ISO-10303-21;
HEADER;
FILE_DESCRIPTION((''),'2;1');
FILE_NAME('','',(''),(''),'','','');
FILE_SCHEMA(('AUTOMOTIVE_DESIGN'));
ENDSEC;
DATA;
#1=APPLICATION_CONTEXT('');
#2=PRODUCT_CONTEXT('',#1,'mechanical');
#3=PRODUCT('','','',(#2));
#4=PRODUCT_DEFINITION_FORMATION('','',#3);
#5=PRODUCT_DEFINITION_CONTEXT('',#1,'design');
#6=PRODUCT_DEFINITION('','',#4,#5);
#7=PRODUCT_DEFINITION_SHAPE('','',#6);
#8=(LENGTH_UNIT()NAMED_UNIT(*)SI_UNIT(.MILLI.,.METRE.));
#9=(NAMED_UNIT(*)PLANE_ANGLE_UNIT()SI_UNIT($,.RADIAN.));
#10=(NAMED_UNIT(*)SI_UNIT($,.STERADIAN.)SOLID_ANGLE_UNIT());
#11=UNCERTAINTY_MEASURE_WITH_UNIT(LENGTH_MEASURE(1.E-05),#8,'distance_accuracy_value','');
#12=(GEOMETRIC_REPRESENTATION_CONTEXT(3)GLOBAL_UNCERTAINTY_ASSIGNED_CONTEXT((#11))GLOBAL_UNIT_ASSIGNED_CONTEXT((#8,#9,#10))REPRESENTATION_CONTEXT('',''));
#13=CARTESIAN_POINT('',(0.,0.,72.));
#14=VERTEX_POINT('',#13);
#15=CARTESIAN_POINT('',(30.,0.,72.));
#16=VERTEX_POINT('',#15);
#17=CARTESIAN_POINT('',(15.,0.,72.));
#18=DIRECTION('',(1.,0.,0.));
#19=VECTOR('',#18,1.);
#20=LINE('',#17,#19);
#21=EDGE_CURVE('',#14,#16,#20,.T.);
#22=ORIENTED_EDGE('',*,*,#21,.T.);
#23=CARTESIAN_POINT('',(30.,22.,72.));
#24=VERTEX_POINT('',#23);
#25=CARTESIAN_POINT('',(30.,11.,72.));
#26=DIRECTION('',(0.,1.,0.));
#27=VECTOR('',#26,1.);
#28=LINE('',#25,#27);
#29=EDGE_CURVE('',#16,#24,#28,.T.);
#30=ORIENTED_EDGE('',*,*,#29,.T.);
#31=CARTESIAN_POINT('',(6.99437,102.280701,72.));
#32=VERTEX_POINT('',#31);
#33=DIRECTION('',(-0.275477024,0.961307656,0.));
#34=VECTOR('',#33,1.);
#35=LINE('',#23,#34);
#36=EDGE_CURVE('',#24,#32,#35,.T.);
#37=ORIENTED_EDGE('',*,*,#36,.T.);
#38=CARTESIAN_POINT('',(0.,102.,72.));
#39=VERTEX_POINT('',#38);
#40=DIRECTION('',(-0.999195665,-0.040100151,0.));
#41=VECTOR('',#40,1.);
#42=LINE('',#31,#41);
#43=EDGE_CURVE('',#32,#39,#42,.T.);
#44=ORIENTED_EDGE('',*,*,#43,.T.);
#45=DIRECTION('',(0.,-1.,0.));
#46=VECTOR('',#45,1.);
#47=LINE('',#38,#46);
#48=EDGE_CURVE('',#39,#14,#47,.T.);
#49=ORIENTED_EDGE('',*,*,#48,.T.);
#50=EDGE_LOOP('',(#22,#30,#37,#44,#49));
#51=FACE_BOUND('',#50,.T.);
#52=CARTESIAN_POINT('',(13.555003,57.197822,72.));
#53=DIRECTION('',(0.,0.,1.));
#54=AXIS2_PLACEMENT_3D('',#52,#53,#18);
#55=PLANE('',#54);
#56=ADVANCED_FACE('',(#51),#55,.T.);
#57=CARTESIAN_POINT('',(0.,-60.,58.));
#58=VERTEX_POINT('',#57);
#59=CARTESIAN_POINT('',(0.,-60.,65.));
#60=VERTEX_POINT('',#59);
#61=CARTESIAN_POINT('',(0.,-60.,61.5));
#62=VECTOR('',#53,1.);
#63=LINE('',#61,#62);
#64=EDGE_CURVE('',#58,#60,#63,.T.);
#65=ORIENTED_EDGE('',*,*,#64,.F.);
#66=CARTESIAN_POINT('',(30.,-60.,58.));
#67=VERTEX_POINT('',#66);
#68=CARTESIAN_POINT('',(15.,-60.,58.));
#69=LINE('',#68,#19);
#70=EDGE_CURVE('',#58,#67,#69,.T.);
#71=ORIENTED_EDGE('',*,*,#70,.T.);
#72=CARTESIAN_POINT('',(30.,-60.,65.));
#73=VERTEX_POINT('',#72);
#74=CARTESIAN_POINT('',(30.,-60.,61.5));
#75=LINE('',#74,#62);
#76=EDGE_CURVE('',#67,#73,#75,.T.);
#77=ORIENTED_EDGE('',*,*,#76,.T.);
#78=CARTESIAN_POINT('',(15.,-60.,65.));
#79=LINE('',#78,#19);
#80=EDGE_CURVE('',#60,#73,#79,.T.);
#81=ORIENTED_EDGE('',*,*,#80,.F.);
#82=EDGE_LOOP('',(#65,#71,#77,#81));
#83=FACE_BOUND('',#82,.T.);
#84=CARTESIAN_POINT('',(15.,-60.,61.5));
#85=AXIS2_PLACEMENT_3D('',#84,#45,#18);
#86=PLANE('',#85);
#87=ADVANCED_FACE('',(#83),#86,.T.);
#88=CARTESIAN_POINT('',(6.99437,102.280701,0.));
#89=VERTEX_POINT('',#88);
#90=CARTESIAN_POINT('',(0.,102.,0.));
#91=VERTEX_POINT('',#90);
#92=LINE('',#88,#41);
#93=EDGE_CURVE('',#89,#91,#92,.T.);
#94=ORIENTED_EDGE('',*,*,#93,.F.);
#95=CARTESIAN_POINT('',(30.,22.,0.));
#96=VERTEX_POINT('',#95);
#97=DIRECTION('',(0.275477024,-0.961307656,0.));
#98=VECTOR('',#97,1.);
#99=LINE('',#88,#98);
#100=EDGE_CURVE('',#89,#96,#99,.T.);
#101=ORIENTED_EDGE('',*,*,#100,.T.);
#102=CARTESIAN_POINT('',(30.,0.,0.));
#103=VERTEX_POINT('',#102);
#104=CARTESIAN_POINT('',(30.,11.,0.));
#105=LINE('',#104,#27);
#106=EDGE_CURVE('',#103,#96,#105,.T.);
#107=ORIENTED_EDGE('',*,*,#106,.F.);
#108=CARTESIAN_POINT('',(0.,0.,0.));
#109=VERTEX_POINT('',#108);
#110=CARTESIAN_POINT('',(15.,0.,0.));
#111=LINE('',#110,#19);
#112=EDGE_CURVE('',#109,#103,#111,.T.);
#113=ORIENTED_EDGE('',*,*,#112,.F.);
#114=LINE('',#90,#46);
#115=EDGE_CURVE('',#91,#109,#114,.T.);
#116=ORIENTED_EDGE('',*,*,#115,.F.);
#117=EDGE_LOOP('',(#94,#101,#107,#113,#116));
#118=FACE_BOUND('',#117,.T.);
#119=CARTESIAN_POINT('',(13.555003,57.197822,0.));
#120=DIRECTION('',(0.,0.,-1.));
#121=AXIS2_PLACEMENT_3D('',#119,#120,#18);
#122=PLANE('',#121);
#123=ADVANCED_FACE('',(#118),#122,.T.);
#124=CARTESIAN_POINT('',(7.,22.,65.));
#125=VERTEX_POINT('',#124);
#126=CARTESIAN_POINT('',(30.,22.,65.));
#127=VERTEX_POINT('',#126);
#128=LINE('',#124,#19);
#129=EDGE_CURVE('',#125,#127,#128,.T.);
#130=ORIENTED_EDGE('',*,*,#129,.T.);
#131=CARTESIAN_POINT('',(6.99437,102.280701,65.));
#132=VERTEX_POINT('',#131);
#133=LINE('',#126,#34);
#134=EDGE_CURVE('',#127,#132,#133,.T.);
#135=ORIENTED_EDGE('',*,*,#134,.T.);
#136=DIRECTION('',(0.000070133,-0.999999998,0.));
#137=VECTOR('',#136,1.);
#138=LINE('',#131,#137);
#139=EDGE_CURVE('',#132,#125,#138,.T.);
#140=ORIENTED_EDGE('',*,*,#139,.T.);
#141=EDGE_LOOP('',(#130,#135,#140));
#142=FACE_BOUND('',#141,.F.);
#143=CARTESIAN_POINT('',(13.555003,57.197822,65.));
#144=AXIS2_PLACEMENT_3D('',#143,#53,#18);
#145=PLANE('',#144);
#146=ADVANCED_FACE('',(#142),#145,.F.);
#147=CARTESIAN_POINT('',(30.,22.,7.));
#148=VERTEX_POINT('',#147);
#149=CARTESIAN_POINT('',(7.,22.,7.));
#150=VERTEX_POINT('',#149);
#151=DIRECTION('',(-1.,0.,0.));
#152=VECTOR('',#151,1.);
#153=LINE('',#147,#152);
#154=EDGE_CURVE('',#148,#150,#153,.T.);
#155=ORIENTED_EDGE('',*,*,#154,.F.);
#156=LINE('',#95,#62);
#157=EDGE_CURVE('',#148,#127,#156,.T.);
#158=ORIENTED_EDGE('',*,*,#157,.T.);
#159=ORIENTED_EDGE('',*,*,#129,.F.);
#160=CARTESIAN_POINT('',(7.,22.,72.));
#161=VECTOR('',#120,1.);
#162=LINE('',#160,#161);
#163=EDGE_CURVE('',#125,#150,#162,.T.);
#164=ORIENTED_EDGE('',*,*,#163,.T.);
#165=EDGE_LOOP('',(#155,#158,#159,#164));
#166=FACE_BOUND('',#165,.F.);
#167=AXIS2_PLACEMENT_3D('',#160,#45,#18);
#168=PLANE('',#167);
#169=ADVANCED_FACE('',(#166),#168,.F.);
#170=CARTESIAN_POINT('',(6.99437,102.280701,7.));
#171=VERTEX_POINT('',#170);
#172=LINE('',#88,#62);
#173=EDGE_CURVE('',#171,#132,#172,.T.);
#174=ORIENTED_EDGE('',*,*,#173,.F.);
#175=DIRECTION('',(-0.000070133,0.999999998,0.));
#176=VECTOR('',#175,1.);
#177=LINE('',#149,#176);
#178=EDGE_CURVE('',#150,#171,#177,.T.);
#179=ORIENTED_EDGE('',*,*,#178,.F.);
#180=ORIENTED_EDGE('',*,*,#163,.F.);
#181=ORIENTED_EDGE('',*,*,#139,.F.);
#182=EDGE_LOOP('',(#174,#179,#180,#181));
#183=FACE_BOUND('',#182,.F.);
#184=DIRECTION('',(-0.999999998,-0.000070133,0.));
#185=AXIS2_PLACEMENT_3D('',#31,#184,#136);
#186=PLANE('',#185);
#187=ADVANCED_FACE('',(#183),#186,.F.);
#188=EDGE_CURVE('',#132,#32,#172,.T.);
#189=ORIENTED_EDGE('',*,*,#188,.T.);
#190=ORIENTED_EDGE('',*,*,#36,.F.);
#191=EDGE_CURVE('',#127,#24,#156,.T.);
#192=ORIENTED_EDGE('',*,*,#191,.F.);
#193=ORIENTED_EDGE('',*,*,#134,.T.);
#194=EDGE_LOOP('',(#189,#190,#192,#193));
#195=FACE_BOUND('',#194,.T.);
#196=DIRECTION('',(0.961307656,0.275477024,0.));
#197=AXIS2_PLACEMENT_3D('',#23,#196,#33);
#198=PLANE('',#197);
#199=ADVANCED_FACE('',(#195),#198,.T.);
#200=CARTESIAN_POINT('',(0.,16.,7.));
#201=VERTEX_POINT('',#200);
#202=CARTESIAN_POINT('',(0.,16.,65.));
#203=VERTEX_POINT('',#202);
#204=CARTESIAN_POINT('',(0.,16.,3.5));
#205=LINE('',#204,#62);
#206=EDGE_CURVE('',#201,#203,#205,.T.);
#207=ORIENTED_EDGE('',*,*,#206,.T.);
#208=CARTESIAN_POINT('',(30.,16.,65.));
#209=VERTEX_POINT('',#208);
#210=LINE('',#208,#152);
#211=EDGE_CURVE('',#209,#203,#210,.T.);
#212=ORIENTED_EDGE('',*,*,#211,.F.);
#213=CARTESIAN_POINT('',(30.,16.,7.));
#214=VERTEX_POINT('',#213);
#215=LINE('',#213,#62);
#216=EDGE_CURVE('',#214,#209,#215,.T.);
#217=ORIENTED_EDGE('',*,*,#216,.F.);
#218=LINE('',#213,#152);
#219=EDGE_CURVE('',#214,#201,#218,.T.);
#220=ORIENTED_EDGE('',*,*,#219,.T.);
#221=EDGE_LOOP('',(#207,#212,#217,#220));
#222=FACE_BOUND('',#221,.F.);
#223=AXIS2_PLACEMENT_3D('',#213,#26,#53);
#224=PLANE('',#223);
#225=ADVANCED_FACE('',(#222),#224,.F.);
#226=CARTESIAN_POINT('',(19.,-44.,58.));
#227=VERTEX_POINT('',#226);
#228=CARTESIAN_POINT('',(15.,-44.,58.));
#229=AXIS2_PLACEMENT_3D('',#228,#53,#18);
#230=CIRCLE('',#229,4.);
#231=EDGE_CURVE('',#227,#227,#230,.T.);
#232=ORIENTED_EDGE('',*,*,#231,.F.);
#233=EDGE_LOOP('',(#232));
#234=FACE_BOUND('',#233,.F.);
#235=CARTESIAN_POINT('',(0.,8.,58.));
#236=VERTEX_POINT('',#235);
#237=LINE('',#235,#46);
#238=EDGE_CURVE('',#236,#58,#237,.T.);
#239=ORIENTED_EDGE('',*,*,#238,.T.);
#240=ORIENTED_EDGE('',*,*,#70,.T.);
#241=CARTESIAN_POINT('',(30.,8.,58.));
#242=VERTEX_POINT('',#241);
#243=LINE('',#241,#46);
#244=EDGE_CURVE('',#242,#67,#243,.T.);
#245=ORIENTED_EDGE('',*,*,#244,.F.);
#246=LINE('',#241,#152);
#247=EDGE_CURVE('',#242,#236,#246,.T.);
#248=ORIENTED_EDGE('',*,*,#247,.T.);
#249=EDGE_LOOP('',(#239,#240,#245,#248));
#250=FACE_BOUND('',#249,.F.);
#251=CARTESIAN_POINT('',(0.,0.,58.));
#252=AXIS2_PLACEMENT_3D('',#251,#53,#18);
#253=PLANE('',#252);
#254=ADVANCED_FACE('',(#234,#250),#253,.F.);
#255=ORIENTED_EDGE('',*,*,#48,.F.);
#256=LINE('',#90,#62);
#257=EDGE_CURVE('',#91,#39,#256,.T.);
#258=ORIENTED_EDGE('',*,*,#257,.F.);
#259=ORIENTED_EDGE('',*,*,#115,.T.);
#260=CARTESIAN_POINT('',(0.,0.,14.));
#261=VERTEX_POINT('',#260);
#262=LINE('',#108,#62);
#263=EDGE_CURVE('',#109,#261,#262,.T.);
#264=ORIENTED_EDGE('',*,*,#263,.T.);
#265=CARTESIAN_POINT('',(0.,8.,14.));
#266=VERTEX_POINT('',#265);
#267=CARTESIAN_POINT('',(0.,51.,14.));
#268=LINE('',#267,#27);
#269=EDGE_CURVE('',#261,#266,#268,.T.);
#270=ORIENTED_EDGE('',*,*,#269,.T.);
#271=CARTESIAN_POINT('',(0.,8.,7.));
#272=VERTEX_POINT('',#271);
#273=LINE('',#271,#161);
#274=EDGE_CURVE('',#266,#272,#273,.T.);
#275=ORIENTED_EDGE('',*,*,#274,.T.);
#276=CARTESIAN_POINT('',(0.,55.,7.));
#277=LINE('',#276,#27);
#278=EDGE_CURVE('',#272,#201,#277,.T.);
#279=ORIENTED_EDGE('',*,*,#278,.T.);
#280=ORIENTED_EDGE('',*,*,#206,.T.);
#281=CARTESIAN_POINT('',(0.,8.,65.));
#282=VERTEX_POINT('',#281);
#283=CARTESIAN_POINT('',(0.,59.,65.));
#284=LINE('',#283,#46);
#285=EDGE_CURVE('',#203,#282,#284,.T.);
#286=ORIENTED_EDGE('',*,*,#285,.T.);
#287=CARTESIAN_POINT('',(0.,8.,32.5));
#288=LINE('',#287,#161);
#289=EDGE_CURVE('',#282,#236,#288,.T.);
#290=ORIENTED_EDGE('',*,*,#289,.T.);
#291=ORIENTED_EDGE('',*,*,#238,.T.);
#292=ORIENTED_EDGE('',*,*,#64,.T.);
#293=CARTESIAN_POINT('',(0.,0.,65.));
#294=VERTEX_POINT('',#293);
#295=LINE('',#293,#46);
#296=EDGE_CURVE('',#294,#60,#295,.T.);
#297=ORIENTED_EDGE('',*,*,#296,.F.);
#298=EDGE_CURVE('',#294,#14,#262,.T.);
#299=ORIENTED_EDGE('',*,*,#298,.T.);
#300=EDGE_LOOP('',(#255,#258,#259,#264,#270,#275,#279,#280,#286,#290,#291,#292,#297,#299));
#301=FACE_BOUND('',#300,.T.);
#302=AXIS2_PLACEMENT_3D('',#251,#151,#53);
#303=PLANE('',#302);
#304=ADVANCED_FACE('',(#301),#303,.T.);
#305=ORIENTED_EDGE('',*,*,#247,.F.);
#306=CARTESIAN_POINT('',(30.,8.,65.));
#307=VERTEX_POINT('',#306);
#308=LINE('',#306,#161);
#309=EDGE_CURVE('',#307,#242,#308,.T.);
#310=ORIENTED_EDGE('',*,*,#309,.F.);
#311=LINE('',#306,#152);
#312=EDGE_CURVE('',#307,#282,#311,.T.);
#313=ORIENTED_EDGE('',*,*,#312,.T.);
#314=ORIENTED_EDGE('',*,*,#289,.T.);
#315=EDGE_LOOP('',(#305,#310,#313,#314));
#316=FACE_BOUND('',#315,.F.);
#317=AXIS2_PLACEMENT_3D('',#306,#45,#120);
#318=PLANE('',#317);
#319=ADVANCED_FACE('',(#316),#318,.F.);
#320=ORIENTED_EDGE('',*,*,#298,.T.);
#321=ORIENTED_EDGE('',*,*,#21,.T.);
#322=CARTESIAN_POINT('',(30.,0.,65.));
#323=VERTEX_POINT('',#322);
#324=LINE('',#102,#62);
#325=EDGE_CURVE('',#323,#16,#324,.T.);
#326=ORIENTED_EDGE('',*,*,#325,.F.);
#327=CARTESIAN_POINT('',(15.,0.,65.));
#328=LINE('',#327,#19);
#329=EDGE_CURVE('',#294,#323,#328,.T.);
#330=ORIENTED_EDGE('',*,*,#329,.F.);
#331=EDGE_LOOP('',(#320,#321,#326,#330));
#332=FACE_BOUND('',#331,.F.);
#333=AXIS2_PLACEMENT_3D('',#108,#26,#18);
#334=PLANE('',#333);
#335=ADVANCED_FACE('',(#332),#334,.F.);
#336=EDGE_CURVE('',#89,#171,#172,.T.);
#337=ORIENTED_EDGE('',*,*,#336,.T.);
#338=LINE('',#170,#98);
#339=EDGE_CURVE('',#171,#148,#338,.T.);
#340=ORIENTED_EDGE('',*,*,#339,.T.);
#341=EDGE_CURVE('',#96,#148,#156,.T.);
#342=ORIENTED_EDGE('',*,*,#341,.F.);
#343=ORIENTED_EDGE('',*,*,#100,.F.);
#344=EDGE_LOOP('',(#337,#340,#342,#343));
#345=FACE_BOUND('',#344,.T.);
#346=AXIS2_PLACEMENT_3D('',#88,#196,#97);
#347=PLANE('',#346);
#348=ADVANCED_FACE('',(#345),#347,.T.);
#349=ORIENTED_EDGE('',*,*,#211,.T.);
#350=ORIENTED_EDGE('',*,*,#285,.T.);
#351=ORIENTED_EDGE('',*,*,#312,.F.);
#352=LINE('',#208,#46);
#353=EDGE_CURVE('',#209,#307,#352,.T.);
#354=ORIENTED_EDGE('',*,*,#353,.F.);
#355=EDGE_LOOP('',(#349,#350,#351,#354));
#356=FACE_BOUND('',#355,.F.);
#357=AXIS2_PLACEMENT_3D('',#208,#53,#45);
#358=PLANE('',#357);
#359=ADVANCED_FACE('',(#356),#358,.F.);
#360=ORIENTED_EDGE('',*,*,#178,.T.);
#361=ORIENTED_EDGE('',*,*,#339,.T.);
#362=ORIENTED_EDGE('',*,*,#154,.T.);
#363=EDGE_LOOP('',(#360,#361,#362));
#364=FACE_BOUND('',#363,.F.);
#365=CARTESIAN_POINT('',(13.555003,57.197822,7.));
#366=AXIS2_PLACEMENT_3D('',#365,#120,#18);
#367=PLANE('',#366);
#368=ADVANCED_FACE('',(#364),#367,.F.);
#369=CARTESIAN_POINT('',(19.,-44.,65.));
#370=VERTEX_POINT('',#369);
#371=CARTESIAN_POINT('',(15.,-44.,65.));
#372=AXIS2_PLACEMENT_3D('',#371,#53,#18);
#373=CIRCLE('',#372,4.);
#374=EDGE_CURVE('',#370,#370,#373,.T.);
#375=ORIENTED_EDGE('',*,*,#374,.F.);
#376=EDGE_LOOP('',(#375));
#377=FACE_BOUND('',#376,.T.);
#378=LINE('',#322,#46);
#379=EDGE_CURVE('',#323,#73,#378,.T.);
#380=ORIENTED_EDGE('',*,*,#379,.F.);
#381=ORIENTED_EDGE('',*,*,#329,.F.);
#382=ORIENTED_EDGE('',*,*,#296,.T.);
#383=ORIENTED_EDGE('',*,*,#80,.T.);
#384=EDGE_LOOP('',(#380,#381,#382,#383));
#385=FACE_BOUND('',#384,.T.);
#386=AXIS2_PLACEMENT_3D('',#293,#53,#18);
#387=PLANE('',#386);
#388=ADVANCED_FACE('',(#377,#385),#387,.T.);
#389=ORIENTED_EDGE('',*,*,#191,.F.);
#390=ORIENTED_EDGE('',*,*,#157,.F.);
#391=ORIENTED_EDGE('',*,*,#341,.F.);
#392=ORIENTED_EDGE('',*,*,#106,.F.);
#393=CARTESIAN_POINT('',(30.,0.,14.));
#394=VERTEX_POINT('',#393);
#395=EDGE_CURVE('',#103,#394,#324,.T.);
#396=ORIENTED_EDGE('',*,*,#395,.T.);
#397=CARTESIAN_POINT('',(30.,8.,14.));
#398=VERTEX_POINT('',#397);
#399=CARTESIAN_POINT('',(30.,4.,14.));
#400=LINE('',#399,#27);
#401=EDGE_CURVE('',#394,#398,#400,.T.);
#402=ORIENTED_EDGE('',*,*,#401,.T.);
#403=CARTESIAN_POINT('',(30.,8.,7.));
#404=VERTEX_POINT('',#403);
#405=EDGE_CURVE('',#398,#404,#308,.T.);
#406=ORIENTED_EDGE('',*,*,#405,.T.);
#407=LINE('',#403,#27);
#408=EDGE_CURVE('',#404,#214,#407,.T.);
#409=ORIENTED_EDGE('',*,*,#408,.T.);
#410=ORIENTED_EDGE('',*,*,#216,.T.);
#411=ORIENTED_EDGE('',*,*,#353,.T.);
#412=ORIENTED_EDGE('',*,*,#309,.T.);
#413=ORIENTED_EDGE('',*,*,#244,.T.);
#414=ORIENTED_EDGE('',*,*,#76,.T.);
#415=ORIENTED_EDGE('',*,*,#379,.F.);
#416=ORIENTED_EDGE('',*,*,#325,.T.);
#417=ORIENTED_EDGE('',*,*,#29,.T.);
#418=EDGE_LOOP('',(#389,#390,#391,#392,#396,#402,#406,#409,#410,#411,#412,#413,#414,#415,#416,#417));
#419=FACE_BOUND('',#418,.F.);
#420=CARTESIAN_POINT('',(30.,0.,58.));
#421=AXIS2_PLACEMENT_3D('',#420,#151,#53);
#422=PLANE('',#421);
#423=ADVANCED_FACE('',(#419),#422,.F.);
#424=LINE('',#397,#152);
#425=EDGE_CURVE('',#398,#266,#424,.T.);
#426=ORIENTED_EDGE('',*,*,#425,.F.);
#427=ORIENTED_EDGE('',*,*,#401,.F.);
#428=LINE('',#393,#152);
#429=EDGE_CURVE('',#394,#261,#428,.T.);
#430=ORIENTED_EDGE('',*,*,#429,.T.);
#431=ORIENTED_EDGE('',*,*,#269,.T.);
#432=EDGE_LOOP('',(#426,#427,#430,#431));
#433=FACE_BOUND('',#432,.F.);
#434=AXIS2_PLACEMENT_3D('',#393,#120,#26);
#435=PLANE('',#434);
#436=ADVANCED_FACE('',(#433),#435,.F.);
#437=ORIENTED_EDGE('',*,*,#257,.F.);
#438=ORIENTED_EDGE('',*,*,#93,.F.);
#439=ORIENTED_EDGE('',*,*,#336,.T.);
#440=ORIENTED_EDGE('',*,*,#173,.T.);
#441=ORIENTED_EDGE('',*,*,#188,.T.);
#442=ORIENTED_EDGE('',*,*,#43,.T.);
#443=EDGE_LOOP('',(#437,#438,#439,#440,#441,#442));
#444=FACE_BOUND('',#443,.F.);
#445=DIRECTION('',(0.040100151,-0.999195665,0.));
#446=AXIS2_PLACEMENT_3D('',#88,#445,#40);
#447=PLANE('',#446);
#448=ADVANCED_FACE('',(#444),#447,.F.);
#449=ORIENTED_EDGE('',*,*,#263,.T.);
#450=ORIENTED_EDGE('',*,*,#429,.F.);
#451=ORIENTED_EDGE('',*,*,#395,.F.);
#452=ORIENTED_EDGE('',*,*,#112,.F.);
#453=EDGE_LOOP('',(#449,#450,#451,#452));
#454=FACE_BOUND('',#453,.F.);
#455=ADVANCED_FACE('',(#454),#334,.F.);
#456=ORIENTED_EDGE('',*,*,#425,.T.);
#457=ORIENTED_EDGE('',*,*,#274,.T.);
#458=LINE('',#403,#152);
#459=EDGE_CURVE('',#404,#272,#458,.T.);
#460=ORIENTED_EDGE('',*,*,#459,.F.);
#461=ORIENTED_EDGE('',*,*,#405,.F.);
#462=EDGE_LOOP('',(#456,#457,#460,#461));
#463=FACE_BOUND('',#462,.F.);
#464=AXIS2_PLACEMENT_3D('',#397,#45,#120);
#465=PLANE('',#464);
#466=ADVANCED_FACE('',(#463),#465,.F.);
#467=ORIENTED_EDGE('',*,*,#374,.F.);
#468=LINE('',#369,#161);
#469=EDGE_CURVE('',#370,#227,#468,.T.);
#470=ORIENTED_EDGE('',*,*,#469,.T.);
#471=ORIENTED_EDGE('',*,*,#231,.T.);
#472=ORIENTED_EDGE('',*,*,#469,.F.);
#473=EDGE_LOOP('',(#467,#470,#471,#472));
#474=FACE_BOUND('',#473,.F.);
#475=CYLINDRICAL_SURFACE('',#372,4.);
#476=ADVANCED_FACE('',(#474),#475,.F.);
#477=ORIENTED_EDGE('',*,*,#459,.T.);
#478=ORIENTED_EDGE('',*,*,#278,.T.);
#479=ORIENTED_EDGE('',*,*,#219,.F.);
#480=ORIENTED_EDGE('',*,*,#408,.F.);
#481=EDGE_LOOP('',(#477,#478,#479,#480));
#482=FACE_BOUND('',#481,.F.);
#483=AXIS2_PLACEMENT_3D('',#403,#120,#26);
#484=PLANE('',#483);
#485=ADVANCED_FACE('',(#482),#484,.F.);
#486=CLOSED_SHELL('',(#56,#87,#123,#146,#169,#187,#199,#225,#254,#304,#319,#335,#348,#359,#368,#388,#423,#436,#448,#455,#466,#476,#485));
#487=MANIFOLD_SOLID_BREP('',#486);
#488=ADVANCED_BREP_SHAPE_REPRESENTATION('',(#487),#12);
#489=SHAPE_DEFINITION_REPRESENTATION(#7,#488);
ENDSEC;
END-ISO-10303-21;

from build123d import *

# Parameters (mm, degrees)
F0_W      = 30
F0_H      = 22
F1_DEPTH  = 72
F3_DEPTH  = 72.001
F4_DEPTH  = 7
F6_DEPTH  = 7
F7_W      = 8
F7_H      = 44
F8_DEPTH  = 30.001
F9_W      = 30
F9_H      = 7
F10_DEPTH = 60
F11_R     = 4
F12_DEPTH = 65.001


with BuildPart() as f1:
    # F0 (on Top) → F1 (new body)
    with BuildSketch(Plane.XY):
        with Locations((15, 11)):
            Rectangle(F0_W, F0_H)
        Polygon((0, 102), (0, 22), (30, 22), (6.9943696583, 102.2807010551), align=None)
    extrude(amount=F1_DEPTH)

    # F2 (on face) → F3 (cut, through all)
    with BuildSketch(Plane.XY.offset(72)):
        Polygon((7, 22), (30, 22), (6.9943696583, 102.2807010551), align=None)
    extrude(amount=-F3_DEPTH, mode=Mode.SUBTRACT)

    # F2 (on face) → F4 (join)
    with BuildSketch(Plane.XY.offset(72)):
        Polygon((7, 22), (30, 22), (6.9943696583, 102.2807010551), align=None)
    extrude(amount=-F4_DEPTH)

    # F5 (on face) → F6 (join)
    with BuildSketch(Plane(origin=(0, 0, 0), x_dir=(1, 0, 0), z_dir=(0, 0, -1))):
        Polygon((6.9943696583, -102.2807010551), (30, -22), (7, -22), align=None)
    extrude(amount=-F6_DEPTH)

    # F7 (on face) → F8 (cut, through all)
    with BuildSketch(Plane.YZ.offset(30)):
        Polygon((16, 65), (8, 65), (8, 58), (8, 14), (8, 7), (16, 7), align=None)
        with Locations((4, 36)):
            Rectangle(F7_W, F7_H)
    extrude(amount=-F8_DEPTH, mode=Mode.SUBTRACT)

    # F9 (on face) → F10 (join)
    with BuildSketch(Plane.XZ):
        with Locations((15, 61.5)):
            Rectangle(F9_W, F9_H)
    extrude(amount=F10_DEPTH)

    # F11 (on face) → F12 (cut, through all)
    with BuildSketch(Plane.XY.offset(65)):
        with Locations((15, -44)):
            Circle(F11_R)
    extrude(amount=-F12_DEPTH, mode=Mode.SUBTRACT)


solid = f1.part
